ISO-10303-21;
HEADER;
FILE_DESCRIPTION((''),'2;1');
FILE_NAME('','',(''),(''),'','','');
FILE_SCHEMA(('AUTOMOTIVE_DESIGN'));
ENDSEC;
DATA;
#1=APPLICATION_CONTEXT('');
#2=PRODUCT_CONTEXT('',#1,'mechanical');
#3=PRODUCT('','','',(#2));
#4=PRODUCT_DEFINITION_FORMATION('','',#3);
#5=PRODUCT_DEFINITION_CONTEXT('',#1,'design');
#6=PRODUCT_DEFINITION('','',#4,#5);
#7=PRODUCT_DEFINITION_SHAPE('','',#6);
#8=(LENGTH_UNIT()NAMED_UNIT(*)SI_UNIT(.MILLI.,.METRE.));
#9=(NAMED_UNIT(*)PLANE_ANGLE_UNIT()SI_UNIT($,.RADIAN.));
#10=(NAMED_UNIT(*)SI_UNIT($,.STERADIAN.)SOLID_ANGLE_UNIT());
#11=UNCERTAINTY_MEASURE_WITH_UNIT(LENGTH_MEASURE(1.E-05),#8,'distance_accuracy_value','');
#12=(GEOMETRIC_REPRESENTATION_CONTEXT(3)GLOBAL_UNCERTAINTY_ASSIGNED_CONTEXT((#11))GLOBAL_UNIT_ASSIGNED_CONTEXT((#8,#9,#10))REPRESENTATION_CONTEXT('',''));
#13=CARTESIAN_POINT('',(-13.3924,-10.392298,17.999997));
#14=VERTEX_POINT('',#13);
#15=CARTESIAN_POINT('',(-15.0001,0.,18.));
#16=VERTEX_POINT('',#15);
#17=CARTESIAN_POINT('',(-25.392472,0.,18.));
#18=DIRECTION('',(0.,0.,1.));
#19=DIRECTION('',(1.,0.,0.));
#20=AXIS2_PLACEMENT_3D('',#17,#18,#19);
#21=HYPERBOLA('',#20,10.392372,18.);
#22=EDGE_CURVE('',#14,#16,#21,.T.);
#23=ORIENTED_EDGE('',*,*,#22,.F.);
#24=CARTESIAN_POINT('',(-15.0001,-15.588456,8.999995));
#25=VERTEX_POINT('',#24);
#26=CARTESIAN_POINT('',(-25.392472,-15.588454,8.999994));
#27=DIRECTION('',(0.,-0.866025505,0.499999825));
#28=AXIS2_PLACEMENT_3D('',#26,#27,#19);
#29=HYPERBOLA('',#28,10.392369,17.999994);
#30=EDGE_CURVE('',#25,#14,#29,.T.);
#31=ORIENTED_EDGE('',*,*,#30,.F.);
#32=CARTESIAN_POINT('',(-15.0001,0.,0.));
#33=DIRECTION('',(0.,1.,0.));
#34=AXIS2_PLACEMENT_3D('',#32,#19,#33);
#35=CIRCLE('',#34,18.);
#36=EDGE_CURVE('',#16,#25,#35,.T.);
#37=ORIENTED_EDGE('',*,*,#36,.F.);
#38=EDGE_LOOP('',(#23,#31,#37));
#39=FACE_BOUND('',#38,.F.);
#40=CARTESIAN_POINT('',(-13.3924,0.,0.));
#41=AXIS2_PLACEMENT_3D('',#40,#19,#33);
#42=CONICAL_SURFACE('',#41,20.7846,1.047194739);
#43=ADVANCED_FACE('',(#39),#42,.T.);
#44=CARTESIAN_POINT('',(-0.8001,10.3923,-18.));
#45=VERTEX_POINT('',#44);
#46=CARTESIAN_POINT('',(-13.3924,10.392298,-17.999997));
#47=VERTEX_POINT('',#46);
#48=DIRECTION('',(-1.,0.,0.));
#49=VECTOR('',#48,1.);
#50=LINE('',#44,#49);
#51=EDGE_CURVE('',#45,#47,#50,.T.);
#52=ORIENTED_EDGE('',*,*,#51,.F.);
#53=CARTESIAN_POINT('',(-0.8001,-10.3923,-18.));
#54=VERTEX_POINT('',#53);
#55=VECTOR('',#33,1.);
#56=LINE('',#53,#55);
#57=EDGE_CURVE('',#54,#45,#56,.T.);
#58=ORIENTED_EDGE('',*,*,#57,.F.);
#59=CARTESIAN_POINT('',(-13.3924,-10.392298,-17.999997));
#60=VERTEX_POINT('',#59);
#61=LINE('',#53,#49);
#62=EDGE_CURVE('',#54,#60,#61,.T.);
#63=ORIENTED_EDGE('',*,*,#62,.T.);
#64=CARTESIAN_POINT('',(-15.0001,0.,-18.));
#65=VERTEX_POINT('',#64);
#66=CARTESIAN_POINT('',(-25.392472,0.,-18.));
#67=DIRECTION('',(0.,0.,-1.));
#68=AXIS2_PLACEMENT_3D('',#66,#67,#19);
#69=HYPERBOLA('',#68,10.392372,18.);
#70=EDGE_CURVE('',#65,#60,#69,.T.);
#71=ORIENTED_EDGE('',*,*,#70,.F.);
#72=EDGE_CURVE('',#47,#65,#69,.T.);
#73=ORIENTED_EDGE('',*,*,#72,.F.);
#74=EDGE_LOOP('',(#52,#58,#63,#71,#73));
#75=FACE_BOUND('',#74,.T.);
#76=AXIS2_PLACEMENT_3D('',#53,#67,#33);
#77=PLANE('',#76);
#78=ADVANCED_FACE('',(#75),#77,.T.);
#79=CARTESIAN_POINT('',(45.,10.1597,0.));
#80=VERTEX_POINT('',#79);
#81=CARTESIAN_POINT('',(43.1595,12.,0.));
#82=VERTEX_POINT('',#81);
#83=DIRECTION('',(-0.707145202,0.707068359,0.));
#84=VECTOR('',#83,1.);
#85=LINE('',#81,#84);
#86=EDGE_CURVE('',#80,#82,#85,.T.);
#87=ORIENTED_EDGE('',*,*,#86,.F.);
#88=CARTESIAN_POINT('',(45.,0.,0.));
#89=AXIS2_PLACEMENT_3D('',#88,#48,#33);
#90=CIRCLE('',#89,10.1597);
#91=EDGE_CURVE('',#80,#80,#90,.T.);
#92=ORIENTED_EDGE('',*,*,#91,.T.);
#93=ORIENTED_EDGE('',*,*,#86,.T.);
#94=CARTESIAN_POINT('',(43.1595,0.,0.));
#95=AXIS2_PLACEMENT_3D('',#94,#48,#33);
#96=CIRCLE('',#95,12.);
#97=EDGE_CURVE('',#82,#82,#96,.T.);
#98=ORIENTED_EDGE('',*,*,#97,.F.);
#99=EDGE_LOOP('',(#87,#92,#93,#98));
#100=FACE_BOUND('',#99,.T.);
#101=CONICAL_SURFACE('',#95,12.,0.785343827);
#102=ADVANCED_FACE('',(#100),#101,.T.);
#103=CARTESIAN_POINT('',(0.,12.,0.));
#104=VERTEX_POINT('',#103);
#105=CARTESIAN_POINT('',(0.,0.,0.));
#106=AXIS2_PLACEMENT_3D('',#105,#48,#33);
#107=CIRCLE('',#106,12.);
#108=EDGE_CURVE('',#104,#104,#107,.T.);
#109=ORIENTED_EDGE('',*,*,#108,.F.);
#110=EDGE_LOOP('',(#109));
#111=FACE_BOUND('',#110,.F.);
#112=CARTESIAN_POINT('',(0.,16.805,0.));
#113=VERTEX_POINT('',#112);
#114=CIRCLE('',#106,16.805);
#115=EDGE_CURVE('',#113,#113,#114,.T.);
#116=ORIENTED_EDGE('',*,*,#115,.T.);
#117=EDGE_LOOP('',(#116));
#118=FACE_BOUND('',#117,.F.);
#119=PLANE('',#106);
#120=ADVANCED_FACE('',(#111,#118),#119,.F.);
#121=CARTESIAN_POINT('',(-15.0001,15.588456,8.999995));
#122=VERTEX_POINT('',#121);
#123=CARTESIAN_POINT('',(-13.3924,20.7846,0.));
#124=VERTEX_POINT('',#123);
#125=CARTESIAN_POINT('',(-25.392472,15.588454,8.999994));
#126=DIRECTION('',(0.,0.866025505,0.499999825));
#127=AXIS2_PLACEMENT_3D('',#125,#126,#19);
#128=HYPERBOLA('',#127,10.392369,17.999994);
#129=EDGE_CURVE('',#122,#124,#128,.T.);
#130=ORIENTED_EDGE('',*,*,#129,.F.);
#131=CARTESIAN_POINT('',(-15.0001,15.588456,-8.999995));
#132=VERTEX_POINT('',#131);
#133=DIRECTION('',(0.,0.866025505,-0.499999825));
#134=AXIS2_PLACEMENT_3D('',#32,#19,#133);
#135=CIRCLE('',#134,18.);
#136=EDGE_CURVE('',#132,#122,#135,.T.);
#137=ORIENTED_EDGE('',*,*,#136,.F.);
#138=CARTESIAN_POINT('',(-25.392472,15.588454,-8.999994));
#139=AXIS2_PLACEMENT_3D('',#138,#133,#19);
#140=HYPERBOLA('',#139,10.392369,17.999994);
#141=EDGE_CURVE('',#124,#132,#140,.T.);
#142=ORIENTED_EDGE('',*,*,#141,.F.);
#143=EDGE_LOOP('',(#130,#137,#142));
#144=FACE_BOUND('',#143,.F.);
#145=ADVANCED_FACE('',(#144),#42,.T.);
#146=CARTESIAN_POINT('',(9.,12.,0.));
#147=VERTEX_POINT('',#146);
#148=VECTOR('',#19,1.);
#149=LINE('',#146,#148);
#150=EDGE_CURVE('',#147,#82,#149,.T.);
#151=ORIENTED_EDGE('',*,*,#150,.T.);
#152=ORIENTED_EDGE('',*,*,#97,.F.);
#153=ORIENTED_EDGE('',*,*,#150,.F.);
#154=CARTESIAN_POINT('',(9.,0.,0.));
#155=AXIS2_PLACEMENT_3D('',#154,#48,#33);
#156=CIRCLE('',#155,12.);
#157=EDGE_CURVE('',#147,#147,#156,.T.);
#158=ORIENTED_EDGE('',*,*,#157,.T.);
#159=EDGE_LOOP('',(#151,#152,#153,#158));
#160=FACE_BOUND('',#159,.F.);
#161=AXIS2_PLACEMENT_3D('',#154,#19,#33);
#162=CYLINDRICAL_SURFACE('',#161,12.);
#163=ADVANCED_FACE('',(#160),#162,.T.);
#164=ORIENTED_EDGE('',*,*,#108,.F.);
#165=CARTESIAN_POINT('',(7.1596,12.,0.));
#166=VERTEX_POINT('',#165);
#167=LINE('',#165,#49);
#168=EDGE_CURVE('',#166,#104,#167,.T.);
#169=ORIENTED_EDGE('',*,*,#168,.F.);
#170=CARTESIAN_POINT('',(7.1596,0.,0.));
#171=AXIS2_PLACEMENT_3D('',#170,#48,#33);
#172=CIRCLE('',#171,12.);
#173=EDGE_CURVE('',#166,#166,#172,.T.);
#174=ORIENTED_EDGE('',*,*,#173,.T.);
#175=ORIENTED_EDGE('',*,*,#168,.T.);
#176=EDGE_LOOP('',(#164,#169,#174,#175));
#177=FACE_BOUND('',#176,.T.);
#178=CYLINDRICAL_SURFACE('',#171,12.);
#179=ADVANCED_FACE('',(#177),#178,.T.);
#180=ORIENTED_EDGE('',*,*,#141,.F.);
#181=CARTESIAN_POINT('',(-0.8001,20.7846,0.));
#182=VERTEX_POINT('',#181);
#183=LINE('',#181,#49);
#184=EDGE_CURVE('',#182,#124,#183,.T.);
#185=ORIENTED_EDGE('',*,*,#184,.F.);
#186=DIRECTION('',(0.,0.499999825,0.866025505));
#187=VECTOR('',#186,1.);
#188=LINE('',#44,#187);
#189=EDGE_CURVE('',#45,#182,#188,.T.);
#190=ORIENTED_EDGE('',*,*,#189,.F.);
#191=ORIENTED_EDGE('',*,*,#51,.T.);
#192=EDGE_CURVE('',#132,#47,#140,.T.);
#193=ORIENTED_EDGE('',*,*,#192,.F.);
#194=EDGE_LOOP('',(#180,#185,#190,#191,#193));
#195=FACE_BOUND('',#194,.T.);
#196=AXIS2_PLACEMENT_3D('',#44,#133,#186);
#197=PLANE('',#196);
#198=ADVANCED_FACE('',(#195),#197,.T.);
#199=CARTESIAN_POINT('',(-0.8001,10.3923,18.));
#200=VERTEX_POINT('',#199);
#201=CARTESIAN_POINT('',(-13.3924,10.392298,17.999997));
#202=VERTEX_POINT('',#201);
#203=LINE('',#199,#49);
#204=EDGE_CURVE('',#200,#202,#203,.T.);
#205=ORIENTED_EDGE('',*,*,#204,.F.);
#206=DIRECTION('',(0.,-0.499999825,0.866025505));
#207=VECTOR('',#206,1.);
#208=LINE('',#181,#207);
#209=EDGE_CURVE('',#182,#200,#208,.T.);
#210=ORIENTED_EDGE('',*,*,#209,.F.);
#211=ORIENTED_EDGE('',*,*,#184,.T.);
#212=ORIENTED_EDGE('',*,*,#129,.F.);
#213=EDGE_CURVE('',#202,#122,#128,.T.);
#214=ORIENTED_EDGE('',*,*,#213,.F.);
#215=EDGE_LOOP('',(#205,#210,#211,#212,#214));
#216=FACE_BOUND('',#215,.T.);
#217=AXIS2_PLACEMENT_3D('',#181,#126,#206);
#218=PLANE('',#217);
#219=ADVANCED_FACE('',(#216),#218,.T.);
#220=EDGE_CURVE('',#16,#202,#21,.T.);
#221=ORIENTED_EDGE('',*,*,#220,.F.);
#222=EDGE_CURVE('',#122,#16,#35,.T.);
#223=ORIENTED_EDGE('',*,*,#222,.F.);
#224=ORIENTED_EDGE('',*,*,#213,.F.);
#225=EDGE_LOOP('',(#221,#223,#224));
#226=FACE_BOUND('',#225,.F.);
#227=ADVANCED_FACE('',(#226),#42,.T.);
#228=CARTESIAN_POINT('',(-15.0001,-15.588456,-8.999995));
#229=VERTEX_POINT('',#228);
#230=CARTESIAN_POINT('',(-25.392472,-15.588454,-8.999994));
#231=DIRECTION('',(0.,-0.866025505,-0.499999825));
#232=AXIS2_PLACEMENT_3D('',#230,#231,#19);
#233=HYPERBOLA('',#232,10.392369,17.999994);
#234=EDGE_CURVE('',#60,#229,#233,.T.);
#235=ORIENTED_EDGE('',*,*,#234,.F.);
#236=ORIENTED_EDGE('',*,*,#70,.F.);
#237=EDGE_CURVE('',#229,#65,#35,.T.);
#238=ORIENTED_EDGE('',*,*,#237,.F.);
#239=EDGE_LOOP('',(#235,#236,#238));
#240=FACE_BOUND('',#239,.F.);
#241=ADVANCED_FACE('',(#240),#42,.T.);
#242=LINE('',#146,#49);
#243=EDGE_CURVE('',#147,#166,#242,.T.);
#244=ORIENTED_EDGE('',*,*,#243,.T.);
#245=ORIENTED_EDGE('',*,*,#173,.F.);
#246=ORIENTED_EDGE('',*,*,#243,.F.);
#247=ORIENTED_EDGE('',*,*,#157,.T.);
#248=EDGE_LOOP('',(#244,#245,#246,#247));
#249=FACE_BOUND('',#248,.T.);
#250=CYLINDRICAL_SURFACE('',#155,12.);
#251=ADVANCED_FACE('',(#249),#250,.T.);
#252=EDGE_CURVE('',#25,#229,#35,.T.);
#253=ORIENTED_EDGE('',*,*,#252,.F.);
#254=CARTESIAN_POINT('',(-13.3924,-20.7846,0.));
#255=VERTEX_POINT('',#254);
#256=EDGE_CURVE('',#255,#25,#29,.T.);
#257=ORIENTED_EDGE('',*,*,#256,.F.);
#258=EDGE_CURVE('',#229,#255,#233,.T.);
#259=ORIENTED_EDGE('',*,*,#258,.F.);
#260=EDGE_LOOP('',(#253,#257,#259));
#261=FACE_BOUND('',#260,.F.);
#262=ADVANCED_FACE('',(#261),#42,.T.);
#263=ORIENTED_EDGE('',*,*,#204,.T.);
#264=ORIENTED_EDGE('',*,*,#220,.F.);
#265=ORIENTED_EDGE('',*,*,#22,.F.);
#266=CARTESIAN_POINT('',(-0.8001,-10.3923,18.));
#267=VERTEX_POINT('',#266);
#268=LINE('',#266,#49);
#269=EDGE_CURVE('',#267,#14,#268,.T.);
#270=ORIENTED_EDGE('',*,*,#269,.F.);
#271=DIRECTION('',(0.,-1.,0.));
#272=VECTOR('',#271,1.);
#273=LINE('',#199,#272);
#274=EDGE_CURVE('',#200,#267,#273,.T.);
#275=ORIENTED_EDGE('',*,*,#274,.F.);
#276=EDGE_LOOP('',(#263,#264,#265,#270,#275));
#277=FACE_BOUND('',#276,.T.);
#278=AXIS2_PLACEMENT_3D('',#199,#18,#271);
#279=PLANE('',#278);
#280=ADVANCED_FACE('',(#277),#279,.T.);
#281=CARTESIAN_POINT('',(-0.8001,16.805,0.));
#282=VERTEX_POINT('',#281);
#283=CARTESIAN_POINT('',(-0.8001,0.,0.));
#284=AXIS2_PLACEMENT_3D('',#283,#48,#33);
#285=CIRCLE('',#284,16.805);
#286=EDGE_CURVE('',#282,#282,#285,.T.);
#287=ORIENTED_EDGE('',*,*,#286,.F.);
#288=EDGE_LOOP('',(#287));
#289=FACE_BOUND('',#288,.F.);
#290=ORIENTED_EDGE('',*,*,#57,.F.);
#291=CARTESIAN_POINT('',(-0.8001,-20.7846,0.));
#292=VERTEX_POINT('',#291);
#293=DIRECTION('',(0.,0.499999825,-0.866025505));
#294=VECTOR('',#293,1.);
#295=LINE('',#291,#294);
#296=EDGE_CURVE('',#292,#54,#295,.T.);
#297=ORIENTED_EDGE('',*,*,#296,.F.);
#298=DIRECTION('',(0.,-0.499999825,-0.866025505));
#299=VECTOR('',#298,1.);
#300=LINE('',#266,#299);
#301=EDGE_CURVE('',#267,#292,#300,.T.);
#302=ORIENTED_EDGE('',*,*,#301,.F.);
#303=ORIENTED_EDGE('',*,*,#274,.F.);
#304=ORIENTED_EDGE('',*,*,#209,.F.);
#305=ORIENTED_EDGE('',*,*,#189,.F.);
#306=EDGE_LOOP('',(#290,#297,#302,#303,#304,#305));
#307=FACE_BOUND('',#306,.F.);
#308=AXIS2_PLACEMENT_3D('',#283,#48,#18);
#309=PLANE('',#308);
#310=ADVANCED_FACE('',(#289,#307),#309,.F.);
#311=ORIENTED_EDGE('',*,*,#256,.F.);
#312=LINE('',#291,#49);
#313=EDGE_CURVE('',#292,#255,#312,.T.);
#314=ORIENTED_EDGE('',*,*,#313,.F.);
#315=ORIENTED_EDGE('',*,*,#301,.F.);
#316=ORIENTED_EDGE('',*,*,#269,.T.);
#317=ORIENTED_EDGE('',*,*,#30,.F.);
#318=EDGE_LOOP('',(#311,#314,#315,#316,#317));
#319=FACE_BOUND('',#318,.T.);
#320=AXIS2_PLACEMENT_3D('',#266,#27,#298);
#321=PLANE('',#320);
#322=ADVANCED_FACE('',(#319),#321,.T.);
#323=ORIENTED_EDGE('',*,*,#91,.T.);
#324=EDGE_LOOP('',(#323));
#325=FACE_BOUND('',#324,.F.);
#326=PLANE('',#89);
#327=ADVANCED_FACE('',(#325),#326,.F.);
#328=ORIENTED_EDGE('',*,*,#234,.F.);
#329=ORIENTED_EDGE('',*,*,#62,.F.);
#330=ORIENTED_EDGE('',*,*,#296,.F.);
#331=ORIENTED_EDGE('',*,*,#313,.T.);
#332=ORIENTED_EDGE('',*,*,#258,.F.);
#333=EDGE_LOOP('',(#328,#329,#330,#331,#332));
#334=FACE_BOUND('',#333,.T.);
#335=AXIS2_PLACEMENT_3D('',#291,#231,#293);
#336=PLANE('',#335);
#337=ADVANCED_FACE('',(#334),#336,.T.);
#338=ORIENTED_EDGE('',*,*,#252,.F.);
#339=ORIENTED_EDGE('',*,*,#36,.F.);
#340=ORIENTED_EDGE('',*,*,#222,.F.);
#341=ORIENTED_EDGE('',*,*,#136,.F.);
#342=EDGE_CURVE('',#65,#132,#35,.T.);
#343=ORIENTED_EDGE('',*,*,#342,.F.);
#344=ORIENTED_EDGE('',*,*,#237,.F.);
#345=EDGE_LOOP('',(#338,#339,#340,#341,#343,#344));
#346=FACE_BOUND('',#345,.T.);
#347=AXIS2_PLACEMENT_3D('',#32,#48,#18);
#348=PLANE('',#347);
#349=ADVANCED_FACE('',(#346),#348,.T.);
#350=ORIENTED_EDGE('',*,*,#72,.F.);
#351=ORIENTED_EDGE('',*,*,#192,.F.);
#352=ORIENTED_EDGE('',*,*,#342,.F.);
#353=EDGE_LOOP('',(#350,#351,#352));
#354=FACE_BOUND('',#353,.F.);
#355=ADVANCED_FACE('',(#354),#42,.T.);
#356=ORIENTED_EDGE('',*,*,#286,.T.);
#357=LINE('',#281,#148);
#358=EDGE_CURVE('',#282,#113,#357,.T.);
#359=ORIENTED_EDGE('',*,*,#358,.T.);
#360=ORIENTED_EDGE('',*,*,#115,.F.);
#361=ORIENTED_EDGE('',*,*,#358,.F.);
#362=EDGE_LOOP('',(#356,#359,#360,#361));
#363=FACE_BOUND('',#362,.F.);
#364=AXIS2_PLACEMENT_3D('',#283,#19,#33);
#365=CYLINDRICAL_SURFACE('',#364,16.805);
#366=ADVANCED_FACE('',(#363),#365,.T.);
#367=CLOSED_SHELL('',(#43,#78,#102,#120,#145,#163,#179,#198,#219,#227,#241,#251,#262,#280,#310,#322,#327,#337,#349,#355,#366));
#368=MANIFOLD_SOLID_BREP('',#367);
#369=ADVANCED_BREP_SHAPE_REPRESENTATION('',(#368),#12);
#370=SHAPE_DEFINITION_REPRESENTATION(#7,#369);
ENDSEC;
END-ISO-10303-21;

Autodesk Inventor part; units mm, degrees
ref_plane "YZ Plane" through (0, 0, 0) normal (1, 0, 0) x (0, 1, 0)
ref_plane "XZ Plane" through (0, 0, 0) normal (0, 1, 0) x (-1, 0, 0)
sketch "Sketch1" plane through (0, 0, 0) normal (0, 0, 1) x (1, 0, 0)
  line L0 (0, 16.805) -> (0, 12)
  line L1 (9, 12) -> (45, 12)
  line L2 (45, 12) -> (45, 0)
  line L3 (45, 0) -> (-0.8001, 0)
  line L4 (-9.9601, 0) -> (54.16, 0) projected
  line L5 (-0.8001, 0) -> (-0.8001, 16.805)
  line L6 (-0.8001, 16.805) -> (0, 16.805)
  line L7 (9, 12) -> (7.1596, 12)
  line L8 (7.1596, 12) -> (0, 12)
  line L9 (0, -3.361) -> (0, 20.166) projected
  dimension "d0" = 45
  dimension "d1" = 36
  dimension "d2" = 24
  dimension "d9" = 0.8001
  dimension "d10" = 33.61
  dimension "d13" = 1.8404
  dimension "d14" = 24
revolve "Body" add sketch "Sketch1" angle 360 about axis through (45, 0, 0) along (-1, 0, 0)
sketch "Sketch2" plane through (-0.8001, 0, 0) normal (-1, 0, 0) x (0, 0, 1)
  line L0 (0, 20.7846) -> (18, 10.3923)
  line L1 (18, 10.3923) -> (18, -10.3923)
  line L2 (18, -10.3923) -> (0, -20.7846)
  line L3 (0, -20.7846) -> (-18, -10.3923)
  line L4 (-18, -10.3923) -> (-18, 10.3923)
  line L5 (-18, 10.3923) -> (0, 20.7846)
  point P0 (0, 0)
  point P1 (0, 0)
  dimension "d11" = 36
extrude "Head" add sketch "Sketch2" along normal blind 14.2
sketch "Sketch4" plane through (0, 0, 0) normal (0, 0, 1) x (1, 0, 0)
  line L0 (-15.0001, 18) -> (-15.0001, 20.7846)
  line L1 (-15.0001, 20.7846) -> (-13.3924, 20.7846)
  line L2 (-13.3924, 20.7846) -> (-15.0001, 18)
  line L3 (-17.8401, 0) -> (2.0399, 0) projected
  line L4 (-0.8001, 20.7846) -> (-15.0001, 20.7846) projected
  line L5 (-15.0001, 10.3923) -> (-15.0001, 20.7846) projected
  dimension "d5" = 30
  dimension "d19" = 36
revolve "Chamfer1" cut sketch "Sketch4" angle 360 about axis through (-10, 0, 0) along (1, 0, 0)
thread "Thread" size "M24x3" class "6g" standard "ISO Metric profile" length 36
chamfer "Chamfer2" distance 1.8403 distance2 1.8405 1 edges at (45, -12, 0) measured on face at (45, -4.6056, 1.5967)
ref_plane "Work Plane1" through (1.525, 0, 0) normal (0, 0, 1) x (1, 0, 0)
equation "\"d0\" = NLG"
equation "\"d1\" = GEL"
equation "\"d2\" = GD"
equation "\"d10\" = SD2"
equation "\"d14\" = BDM"
equation "\"d11\" = SW"
equation "\"d3\" = KOH - SD"
equation "\"d5\" = ANG1"
equation "\"d19\" = SW0"
equation "\"d15\" = GEL"
equation "\"d6\" = -0.5 * SPD + 0.5 * GD"
equation "\"NLG\" = 45"
equation "\"GD\" = NND"
equation "\"BDM\" = NND"
equation "\"KOH\" = 15"
equation "\"GEL\" = 36"
equation "\"SW\" = 36"
equation "\"SW0\" = SW"
equation "\"SPD\" = NND - 1.2269 * PTC"
equation "\"SD2\" = SDH"
equation "\"SD\" = 0.8"
equation "\"ANG1\" = 30deg"
equation "\"GAL\" = 0.61345 * PTC"
equation "\"GUL\" = 0.61345 * PTC"
equation "\"RR\" = 0.8"
equation "\"GD1\" = THREADDIA - 1.2269 * PTC"
equation "\"THREADDIA\" = 24"
equation "\"SDH\" = 33.61"
equation "\"SDHG\" = 9"
equation "\"TOA\" = 30deg"
equation "\"PTC\" = 3"
equation "\"NND\" = 24"
equation "\"E0\" = 1.155 * SW"
properties part number "JIS B 1180 - A + B M24x45" material "Steel, Mild"
